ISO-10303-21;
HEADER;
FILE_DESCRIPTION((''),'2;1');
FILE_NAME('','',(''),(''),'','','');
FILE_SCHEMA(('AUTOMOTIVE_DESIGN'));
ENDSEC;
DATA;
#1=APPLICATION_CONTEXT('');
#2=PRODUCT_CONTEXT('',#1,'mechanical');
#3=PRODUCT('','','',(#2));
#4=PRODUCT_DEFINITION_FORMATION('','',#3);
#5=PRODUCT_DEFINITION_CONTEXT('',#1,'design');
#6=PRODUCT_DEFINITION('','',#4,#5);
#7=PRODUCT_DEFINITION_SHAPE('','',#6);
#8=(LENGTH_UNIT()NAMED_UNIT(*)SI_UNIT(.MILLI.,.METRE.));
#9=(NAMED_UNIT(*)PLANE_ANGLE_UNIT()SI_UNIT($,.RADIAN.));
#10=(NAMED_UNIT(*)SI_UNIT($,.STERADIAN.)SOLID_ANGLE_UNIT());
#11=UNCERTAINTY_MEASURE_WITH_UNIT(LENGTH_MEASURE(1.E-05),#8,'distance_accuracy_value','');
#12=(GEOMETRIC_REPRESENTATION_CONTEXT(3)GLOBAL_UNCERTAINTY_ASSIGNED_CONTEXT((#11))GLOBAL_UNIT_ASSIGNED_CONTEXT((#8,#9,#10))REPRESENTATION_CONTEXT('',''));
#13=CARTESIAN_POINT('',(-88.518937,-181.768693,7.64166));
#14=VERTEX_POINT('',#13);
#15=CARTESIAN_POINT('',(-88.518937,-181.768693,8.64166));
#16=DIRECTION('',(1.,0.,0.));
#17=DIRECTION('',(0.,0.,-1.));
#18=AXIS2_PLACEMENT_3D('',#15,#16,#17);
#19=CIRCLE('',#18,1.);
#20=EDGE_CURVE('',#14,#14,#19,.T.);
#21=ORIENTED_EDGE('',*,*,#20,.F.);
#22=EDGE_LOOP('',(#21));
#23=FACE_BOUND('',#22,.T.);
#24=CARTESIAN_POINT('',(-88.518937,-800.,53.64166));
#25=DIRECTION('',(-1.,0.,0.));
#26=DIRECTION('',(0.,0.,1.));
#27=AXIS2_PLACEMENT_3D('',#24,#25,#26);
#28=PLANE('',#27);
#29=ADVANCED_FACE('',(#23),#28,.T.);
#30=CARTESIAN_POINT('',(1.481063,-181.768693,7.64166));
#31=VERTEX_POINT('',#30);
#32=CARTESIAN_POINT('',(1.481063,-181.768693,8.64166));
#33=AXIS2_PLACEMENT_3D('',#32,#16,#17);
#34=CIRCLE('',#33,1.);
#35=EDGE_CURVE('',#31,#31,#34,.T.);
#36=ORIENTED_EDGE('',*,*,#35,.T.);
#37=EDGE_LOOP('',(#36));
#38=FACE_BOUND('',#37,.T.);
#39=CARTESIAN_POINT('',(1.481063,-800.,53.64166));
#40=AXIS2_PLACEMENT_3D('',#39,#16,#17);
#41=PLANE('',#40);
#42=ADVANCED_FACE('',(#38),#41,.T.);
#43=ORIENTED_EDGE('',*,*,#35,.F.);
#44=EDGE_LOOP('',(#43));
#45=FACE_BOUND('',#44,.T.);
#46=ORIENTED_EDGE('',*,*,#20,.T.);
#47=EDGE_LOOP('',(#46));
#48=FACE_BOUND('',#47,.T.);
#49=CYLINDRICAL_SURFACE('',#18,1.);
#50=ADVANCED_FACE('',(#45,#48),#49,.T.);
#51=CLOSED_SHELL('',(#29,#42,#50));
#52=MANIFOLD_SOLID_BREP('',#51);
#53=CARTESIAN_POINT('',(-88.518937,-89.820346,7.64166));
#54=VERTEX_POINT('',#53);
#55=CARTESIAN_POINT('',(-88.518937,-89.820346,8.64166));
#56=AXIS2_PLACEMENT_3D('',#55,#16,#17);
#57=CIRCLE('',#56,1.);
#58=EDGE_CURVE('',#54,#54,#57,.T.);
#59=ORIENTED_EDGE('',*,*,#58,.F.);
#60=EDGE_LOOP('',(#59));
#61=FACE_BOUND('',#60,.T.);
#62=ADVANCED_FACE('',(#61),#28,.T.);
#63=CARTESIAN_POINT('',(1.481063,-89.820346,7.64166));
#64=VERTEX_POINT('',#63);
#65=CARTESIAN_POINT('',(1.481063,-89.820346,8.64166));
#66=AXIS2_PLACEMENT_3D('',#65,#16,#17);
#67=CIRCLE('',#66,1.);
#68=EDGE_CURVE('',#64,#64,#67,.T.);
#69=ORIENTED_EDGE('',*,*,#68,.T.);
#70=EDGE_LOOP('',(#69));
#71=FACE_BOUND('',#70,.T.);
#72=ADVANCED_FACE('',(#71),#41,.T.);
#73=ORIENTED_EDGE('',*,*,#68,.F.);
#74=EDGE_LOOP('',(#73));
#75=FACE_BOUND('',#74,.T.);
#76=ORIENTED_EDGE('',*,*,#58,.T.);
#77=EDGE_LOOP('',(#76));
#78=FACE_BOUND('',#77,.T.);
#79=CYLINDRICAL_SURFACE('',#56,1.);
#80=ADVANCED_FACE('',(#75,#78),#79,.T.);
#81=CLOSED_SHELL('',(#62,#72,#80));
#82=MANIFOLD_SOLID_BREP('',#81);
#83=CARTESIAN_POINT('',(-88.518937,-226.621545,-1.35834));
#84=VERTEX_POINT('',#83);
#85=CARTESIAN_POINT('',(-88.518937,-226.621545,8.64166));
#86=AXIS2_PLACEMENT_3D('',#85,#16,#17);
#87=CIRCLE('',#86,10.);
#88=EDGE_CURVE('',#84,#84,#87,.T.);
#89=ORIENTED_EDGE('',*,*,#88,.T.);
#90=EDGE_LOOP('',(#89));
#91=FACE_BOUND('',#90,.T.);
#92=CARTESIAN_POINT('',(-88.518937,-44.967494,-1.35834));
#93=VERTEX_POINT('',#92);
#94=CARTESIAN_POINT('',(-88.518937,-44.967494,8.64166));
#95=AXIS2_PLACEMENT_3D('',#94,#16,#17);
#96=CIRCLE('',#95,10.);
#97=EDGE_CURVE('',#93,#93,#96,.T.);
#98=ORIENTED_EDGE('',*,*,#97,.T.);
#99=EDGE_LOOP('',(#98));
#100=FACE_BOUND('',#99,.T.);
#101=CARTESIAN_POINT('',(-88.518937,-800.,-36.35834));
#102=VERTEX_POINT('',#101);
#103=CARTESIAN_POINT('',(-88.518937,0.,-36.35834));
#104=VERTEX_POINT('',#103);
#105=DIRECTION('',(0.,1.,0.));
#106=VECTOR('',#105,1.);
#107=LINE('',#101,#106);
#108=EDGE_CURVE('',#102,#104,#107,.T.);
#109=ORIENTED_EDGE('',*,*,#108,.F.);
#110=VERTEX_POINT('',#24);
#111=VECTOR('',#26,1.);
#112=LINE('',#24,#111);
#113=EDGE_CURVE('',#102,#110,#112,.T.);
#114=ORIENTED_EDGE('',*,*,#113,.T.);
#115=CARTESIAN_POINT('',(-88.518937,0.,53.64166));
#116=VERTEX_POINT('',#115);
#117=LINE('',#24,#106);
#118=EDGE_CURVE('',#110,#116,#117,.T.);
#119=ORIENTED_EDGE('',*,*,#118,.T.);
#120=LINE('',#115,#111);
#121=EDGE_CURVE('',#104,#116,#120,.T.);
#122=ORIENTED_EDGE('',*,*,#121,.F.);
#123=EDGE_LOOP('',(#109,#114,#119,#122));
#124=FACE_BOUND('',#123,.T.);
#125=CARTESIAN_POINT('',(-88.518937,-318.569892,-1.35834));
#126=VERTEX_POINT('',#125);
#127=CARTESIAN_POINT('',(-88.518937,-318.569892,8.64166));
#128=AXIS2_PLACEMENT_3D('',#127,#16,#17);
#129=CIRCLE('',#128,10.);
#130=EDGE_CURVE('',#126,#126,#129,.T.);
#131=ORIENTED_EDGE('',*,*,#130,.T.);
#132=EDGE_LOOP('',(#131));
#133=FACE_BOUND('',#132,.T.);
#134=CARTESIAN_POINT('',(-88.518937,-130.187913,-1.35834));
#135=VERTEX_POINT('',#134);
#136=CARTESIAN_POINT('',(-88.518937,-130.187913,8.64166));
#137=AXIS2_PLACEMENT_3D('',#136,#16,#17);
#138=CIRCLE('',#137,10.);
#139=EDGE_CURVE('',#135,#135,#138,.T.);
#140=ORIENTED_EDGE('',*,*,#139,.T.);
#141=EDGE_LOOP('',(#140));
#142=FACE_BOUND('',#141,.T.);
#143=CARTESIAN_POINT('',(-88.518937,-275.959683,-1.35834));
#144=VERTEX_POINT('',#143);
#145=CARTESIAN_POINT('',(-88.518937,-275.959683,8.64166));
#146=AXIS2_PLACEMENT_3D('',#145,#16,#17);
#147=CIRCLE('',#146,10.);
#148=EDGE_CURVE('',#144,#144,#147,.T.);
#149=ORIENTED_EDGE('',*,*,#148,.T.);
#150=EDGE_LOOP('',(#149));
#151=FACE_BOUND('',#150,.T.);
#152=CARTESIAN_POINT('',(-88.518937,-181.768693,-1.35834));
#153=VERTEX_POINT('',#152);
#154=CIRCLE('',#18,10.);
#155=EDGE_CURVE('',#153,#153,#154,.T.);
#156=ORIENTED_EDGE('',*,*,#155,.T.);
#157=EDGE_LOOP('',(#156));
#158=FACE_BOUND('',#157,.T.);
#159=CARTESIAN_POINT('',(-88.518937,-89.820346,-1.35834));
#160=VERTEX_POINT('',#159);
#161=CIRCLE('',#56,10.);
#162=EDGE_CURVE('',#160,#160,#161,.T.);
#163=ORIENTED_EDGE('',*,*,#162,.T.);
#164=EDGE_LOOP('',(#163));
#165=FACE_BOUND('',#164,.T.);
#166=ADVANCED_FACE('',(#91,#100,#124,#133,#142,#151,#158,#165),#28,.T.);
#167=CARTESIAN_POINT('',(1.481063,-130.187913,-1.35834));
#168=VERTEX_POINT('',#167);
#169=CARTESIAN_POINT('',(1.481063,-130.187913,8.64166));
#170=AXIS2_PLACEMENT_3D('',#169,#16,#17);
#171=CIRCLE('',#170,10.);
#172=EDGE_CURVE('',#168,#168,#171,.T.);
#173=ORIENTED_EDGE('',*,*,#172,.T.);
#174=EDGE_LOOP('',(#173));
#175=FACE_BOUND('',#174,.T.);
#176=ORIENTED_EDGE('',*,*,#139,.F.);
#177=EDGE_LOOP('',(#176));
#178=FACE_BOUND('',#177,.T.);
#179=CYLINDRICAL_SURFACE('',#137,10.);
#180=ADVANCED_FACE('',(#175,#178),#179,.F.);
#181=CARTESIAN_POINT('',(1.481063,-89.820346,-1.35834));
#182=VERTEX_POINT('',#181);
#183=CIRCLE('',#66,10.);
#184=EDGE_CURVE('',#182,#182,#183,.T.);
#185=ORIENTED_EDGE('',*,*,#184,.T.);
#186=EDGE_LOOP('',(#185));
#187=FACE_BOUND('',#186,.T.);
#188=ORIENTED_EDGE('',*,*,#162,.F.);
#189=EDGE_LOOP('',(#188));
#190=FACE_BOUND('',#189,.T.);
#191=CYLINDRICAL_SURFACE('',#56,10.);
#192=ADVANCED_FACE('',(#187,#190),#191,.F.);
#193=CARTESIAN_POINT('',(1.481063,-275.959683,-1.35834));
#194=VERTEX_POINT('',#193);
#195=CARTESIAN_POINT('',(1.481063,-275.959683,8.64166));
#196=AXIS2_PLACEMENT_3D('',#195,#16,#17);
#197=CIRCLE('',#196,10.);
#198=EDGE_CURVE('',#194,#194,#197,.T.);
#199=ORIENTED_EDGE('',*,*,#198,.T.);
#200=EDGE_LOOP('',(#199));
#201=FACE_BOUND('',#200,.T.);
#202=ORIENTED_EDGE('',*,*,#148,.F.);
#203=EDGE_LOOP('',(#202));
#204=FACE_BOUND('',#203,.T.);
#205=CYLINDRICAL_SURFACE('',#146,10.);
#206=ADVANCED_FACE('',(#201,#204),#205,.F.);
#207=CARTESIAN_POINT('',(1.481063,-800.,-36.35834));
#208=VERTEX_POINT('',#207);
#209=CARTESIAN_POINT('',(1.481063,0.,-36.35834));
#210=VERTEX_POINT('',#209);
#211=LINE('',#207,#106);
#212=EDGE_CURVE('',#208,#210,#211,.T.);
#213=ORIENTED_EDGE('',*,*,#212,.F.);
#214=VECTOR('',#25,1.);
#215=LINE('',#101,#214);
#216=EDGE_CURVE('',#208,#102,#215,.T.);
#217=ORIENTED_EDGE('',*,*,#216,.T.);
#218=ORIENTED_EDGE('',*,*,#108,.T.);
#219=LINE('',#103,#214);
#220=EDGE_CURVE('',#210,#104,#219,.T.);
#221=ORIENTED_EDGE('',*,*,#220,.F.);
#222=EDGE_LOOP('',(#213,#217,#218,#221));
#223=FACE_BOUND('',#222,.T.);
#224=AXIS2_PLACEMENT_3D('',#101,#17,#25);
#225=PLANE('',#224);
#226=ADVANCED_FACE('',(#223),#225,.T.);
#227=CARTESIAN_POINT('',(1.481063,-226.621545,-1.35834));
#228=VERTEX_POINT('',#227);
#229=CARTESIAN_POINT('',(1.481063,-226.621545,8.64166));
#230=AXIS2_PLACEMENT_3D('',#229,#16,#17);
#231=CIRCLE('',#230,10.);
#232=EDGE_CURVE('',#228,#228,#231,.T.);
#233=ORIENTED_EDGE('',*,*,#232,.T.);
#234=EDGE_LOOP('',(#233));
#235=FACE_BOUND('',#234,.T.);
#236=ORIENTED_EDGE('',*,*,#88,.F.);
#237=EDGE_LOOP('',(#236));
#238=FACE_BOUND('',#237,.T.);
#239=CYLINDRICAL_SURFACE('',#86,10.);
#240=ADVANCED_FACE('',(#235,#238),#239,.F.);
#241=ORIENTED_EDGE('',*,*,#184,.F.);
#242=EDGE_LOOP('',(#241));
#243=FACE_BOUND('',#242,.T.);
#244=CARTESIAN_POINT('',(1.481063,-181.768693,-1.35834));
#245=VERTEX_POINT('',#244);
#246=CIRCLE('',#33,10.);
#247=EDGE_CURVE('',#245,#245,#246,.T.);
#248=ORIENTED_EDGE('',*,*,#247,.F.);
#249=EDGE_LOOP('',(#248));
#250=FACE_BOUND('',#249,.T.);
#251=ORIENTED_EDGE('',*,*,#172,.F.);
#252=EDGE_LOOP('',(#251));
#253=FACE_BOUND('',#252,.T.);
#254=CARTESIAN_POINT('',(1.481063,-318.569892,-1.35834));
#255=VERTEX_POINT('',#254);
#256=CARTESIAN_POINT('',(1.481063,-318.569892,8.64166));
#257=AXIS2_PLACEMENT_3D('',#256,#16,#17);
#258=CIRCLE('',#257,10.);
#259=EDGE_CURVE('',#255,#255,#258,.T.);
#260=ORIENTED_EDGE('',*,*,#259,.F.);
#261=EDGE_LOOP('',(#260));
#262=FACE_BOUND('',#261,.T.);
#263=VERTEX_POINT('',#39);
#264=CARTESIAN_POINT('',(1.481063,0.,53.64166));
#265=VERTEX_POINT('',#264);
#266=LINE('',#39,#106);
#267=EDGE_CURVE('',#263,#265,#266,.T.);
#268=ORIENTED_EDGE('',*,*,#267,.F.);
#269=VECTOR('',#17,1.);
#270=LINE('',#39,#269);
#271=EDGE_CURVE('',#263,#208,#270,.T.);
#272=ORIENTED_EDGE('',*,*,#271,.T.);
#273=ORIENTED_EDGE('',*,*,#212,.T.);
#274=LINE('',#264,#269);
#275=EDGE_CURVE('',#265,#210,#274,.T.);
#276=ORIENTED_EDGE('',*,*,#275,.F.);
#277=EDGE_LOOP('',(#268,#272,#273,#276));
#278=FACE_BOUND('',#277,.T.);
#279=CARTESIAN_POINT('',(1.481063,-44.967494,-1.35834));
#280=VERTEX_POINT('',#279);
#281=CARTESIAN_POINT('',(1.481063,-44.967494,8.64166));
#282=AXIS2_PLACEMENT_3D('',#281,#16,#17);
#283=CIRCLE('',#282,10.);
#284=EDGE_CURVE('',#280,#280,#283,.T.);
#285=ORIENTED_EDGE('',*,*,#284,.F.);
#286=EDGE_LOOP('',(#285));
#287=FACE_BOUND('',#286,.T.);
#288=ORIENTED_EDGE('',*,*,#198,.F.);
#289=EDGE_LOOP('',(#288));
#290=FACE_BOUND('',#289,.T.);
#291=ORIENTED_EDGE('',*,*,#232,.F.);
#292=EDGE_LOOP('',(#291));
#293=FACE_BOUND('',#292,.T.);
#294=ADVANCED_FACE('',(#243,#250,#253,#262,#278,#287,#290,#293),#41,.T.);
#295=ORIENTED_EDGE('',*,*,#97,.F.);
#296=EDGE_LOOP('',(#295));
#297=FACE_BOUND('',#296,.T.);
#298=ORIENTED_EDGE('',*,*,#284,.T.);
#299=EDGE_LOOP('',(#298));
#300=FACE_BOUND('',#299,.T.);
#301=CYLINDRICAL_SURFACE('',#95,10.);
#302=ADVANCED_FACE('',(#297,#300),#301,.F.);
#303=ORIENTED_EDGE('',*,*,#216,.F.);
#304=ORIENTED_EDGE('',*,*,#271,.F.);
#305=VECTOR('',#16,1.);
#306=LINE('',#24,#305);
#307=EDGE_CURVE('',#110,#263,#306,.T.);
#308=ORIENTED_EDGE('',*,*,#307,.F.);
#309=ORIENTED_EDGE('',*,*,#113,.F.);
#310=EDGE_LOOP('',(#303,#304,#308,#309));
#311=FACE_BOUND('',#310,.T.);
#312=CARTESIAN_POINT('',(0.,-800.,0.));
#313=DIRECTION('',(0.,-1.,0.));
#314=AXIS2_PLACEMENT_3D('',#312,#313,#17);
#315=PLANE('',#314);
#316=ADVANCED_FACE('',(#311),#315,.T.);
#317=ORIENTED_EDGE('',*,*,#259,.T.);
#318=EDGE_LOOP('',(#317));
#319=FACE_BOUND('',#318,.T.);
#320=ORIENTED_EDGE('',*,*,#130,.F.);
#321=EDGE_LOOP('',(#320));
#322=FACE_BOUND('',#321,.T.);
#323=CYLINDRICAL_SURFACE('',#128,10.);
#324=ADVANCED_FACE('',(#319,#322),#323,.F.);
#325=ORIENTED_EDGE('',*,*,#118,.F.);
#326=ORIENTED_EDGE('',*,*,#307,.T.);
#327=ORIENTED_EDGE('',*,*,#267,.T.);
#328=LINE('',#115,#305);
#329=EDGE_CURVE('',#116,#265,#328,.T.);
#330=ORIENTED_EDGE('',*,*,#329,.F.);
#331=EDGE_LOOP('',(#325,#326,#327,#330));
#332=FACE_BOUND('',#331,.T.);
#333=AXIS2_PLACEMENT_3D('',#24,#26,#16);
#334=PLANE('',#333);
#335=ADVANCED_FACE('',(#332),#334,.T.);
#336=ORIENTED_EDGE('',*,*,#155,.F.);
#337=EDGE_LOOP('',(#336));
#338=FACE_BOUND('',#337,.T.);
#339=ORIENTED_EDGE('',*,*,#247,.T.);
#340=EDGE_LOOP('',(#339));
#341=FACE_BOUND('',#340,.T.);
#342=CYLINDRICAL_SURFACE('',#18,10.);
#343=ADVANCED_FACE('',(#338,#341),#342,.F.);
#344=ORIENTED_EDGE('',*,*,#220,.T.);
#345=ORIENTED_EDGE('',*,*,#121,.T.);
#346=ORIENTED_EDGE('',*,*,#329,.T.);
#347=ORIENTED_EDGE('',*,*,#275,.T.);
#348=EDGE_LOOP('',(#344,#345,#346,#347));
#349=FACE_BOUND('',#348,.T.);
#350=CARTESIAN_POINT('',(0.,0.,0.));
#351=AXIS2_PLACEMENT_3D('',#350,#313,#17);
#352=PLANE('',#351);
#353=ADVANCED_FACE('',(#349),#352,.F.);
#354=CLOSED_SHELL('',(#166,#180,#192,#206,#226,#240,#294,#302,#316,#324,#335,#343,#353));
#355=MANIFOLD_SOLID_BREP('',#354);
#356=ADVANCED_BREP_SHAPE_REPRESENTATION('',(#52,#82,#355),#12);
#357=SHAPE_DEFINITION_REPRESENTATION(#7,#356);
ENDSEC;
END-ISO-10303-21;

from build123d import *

# Parameters (mm, degrees)
SKETCH1_W           = 90
SKETCH1_H           = 90
BOSS_EXTRUDE1_DEPTH = 800
SKETCH2_R           = 10
SKETCH2_R_2         = 1
CUT_EXTRUDE1_DEPTH  = 91


with BuildPart() as part:
    # Sketch1 → Boss-Extrude1 (new body)
    with BuildSketch(Plane(origin=(0, 0, 0), x_dir=(1, 0, 0), z_dir=(0, 1, 0))):
        with Locations((-43.518937289, -8.641660154)):
            Rectangle(SKETCH1_W, SKETCH1_H)
    extrude(amount=-BOSS_EXTRUDE1_DEPTH)

    # Sketch2 → Cut-Extrude1 (cut, through all)
    with BuildSketch(Plane(origin=(1.481062711, 0, 0), x_dir=(0, 0, -1), z_dir=(1, 0, 0))):
        with Locations((-8.641660154, -44.967494137)):
            Circle(SKETCH2_R)
        with Locations((-8.641660154, -130.187913203)):
            Circle(SKETCH2_R)
        with Locations((-8.641660154, -226.621545304)):
            Circle(SKETCH2_R)
        with Locations((-8.641660154, -275.959682658)):
            Circle(SKETCH2_R)
        with Locations((-8.641660154, -318.569892192)):
            Circle(SKETCH2_R)
        with Locations((-8.641660154, -181.768693164)):
            Circle(SKETCH2_R)
        with Locations((-8.641660154, -181.768693164)):
            Circle(SKETCH2_R_2, mode=Mode.SUBTRACT)
        with Locations((-8.641660154, -89.820346277)):
            Circle(SKETCH2_R)
        with Locations((-8.641660154, -89.820346277)):
            Circle(SKETCH2_R_2, mode=Mode.SUBTRACT)
    extrude(amount=-CUT_EXTRUDE1_DEPTH, mode=Mode.SUBTRACT)


solid = part.part
